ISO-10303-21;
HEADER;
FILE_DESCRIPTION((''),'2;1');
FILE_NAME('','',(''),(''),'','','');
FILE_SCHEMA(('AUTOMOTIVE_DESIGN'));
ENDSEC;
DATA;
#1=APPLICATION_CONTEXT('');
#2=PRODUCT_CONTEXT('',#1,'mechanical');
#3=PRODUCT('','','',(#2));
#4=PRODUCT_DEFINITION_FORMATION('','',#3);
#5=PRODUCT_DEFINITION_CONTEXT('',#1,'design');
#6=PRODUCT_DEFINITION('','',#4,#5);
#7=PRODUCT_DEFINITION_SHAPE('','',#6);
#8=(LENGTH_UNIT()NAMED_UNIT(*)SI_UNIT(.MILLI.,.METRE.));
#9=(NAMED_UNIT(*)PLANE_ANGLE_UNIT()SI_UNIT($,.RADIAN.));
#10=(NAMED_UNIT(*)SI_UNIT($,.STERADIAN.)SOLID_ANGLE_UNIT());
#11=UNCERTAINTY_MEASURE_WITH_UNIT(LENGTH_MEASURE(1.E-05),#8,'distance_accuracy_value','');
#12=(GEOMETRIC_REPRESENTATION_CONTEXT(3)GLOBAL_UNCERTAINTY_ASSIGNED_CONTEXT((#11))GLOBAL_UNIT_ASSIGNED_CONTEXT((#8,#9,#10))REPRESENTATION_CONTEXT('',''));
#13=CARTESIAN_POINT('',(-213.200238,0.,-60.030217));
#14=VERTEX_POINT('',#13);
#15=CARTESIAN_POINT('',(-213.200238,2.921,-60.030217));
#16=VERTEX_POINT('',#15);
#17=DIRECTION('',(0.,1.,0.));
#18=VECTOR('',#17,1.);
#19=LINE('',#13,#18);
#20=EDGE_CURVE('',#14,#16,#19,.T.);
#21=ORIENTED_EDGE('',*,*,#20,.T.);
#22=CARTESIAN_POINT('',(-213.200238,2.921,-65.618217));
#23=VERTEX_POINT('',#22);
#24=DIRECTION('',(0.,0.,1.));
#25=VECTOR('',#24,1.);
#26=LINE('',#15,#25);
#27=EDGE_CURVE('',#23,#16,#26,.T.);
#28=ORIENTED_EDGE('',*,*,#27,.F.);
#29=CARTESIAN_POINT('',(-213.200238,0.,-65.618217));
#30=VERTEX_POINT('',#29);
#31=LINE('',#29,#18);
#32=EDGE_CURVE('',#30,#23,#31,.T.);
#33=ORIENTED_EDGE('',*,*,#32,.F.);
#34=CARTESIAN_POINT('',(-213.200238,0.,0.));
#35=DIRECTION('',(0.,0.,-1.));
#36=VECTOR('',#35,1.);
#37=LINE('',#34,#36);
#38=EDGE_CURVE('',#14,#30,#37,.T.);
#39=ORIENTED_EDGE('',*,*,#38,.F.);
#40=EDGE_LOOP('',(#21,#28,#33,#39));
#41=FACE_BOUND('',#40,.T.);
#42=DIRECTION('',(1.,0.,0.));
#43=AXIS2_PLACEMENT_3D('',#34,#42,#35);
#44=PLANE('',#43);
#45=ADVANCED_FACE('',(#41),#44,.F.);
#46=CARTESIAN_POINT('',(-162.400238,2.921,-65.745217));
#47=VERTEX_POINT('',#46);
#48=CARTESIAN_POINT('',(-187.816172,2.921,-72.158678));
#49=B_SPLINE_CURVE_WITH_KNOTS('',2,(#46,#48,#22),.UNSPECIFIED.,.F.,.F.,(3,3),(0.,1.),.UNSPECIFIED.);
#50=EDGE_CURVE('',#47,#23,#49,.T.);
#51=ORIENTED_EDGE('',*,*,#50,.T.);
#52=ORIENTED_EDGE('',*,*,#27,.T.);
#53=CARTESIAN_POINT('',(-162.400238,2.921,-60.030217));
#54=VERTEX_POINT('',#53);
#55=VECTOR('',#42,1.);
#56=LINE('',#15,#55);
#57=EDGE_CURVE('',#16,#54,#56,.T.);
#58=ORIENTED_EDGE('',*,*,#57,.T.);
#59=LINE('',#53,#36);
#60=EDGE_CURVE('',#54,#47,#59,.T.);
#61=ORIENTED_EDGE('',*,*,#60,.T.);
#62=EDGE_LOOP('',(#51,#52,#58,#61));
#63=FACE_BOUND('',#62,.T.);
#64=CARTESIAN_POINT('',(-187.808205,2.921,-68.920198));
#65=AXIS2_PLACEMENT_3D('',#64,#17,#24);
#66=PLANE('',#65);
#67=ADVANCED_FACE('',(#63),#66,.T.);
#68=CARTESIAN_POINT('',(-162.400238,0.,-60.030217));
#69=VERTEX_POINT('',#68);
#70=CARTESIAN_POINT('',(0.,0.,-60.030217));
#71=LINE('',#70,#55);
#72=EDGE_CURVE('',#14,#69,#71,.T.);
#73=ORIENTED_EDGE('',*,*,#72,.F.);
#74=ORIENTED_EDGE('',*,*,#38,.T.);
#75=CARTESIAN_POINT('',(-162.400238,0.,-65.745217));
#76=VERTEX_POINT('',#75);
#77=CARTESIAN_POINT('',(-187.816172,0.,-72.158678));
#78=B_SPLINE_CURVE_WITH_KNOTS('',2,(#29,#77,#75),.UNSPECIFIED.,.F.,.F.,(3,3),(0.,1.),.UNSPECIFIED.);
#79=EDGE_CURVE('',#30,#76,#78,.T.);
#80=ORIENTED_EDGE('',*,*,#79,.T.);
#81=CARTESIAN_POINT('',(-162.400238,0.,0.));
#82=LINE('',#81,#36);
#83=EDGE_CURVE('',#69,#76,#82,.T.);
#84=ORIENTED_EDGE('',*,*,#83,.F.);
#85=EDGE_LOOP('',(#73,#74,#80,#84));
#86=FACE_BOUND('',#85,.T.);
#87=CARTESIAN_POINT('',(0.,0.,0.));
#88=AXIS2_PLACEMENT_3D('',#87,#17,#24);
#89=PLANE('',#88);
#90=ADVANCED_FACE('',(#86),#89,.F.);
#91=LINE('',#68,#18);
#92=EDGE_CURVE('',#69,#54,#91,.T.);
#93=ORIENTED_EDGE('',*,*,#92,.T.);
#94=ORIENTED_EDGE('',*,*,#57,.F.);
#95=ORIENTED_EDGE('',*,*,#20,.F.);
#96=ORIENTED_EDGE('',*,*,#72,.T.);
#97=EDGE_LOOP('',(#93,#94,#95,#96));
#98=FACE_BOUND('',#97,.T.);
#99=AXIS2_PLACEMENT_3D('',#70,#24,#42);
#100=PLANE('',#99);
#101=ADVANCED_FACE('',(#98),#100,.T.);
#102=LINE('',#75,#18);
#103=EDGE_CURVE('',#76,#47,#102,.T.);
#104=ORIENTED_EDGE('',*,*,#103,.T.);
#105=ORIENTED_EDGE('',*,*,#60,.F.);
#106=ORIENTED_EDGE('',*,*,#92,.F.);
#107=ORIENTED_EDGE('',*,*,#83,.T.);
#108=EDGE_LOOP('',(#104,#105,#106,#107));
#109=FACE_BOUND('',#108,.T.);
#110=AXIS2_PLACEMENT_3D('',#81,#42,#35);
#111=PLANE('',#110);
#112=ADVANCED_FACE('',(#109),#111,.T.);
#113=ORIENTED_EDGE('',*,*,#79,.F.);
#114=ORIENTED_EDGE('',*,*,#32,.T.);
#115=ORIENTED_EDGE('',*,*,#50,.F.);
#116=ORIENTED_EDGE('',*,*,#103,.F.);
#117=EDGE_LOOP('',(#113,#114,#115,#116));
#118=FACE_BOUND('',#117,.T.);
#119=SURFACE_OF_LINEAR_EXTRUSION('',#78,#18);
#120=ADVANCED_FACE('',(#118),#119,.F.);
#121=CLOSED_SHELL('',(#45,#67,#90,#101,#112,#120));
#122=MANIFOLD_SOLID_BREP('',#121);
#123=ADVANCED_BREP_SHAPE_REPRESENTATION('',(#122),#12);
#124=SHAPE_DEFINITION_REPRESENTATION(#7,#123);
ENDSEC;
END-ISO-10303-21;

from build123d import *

# Parameters (mm, degrees)
SKETCH1_W           = 304.8
SKETCH1_H           = 76.2
BOSS_EXTRUDE1_DEPTH = 3.175
CUT_EXTRUDE3_DEPTH  = 0.254
CUT_EXTRUDE5_DEPTH  = 0.254
SKETCH3_2_OUTSIDE_W = 369.64
SKETCH3_2_OUTSIDE_H = 141.04
CUT_EXTRUDE8_DEPTH  = 315.196691105


with BuildPart() as part:
    # Sketch1 → Boss-Extrude1 (new body)
    with BuildSketch(Plane(origin=(0, 0, 0), x_dir=(1, 0, 0), z_dir=(0, 1, 0))):
        with Locations((-152.4, 38.1)):
            Rectangle(SKETCH1_W, SKETCH1_H)
    extrude(amount=BOSS_EXTRUDE1_DEPTH)

    # Sketch2 → Cut-Extrude3 (cut)
    with BuildSketch(Plane(origin=(0, 3.175, 0), x_dir=(1, 0, 0), z_dir=(0, 1, 0))):
        with BuildLine():
            Line((-304.8, 5.132354223), (-304.8, 0.390438323))
            add(Edge.make_bspline(
                [(-304.8, 0.390438323), (-303.821243343, 0.22923291), (-302.632591032, 0.100235841), (-301.136713645, 0)],
                knots=[0.767987957, 0.767987957, 0.767987957, 0.767987957, 1, 1, 1, 1], degree=3))
            Line((-301.136713645, 0), (-217.379871236, 0))
            add(Edge.make_bspline(
                [(-215.9, 0.210253502), (-216.602591478, 0.075926224), (-217.379871236, 0)],
                knots=[0.882956558, 0.882956558, 0.882956558, 1, 1, 1], degree=2))
            Line((-215.9, 0.210253502), (-215.9, 6.35))
            add(Edge.make_bspline(
                [(-304.8, 5.132354223), (-295.056068779, 7.913424716), (-284.63514545, 9.175759011), (-256.65451685, 7.910717471), (-231.983718042, 8.039058457), (-215.9, 6.35)],
                knots=[0.033341876, 0.033341876, 0.033341876, 0.033341876, 0.196819423, 0.285044024, 0.915587883, 0.915587883, 0.915587883, 0.915587883], degree=3))
        make_face()
        with BuildLine():
            Line((-304.748193138, 14.319973849), (-304.748193138, 9.578057948))
            add(Edge.make_bspline(
                [(-304.748193138, 9.578057948), (-303.76943648, 9.416852535), (-302.58078417, 9.287855466), (-301.084906782, 9.187619625)],
                knots=[0.767987957, 0.767987957, 0.767987957, 0.767987957, 1, 1, 1, 1], degree=3))
            Line((-301.084906782, 9.187619625), (-217.328064374, 9.187619625))
            add(Edge.make_bspline(
                [(-215.848193138, 9.397873128), (-216.550784616, 9.263545849), (-217.328064374, 9.187619625)],
                knots=[0.882956558, 0.882956558, 0.882956558, 1, 1, 1], degree=2))
            Line((-215.848193138, 9.397873128), (-215.848193138, 15.537619625))
            add(Edge.make_bspline(
                [(-304.748193138, 14.319973849), (-295.004261916, 17.101044341), (-284.583338588, 18.363378636), (-256.602709988, 17.098337097), (-231.93191118, 17.226678082), (-215.848193138, 15.537619625)],
                knots=[0.033341876, 0.033341876, 0.033341876, 0.033341876, 0.196819423, 0.285044024, 0.915587883, 0.915587883, 0.915587883, 0.915587883], degree=3))
        make_face()
        with BuildLine():
            Line((-304.77561062, 23.435546339), (-304.77561062, 18.693630439))
            add(Edge.make_bspline(
                [(-304.77561062, 18.693630439), (-303.796853962, 18.532425025), (-302.608201652, 18.403427957), (-301.112324264, 18.303192116)],
                knots=[0.767987957, 0.767987957, 0.767987957, 0.767987957, 1, 1, 1, 1], degree=3))
            Line((-301.112324264, 18.303192116), (-217.355481855, 18.303192116))
            add(Edge.make_bspline(
                [(-215.87561062, 18.513445618), (-216.578202097, 18.37911834), (-217.355481855, 18.303192116)],
                knots=[0.882956558, 0.882956558, 0.882956558, 1, 1, 1], degree=2))
            Line((-215.87561062, 18.513445618), (-215.87561062, 24.653192116))
            add(Edge.make_bspline(
                [(-304.77561062, 23.435546339), (-295.031679398, 26.216616832), (-284.61075607, 27.478951126), (-256.63012747, 26.213909587), (-231.959328661, 26.342250572), (-215.87561062, 24.653192116)],
                knots=[0.033341876, 0.033341876, 0.033341876, 0.033341876, 0.196819423, 0.285044024, 0.915587883, 0.915587883, 0.915587883, 0.915587883], degree=3))
        make_face()
        with BuildLine():
            Line((-304.723803757, 32.623165964), (-304.723803757, 27.881250064))
            add(Edge.make_bspline(
                [(-304.723803757, 27.881250064), (-303.7450471, 27.720044651), (-302.55639479, 27.591047582), (-301.060517402, 27.490811741)],
                knots=[0.767987957, 0.767987957, 0.767987957, 0.767987957, 1, 1, 1, 1], degree=3))
            Line((-301.060517402, 27.490811741), (-217.303674993, 27.490811741))
            add(Edge.make_bspline(
                [(-215.823803757, 27.701065244), (-216.526395235, 27.566737965), (-217.303674993, 27.490811741)],
                knots=[0.882956558, 0.882956558, 0.882956558, 1, 1, 1], degree=2))
            Line((-215.823803757, 27.701065244), (-215.823803757, 33.840811741))
            add(Edge.make_bspline(
                [(-304.723803757, 32.623165964), (-294.979872536, 35.404236457), (-284.558949208, 36.666570752), (-256.578320608, 35.401529213), (-231.907521799, 35.529870198), (-215.823803757, 33.840811741)],
                knots=[0.033341876, 0.033341876, 0.033341876, 0.033341876, 0.196819423, 0.285044024, 0.915587883, 0.915587883, 0.915587883, 0.915587883], degree=3))
        make_face()
        with BuildLine():
            Line((-304.692120731, 41.752034592), (-304.692120731, 37.010118692))
            add(Edge.make_bspline(
                [(-304.692120731, 37.010118692), (-303.713364073, 36.848913278), (-302.524711763, 36.71991621), (-301.028834375, 36.619680369)],
                knots=[0.767987957, 0.767987957, 0.767987957, 0.767987957, 1, 1, 1, 1], degree=3))
            Line((-301.028834375, 36.619680369), (-217.271991966, 36.619680369))
            add(Edge.make_bspline(
                [(-215.792120731, 36.829933871), (-216.494712209, 36.695606593), (-217.271991966, 36.619680369)],
                knots=[0.882956558, 0.882956558, 0.882956558, 1, 1, 1], degree=2))
            Line((-215.792120731, 36.829933871), (-215.792120731, 42.969680369))
            add(Edge.make_bspline(
                [(-304.692120731, 41.752034592), (-294.948189509, 44.533105085), (-284.527266181, 45.795439379), (-256.546637581, 44.53039784), (-231.875838773, 44.658738825), (-215.792120731, 42.969680369)],
                knots=[0.033341876, 0.033341876, 0.033341876, 0.033341876, 0.196819423, 0.285044024, 0.915587883, 0.915587883, 0.915587883, 0.915587883], degree=3))
        make_face()
        with BuildLine():
            Line((-304.640313869, 50.939654217), (-304.640313869, 46.197738317))
            add(Edge.make_bspline(
                [(-304.640313869, 46.197738317), (-303.661557211, 46.036532904), (-302.472904901, 45.907535835), (-300.977027513, 45.807299994)],
                knots=[0.767987957, 0.767987957, 0.767987957, 0.767987957, 1, 1, 1, 1], degree=3))
            Line((-300.977027513, 45.807299994), (-217.220185104, 45.807299994))
            add(Edge.make_bspline(
                [(-215.740313869, 46.017553497), (-216.442905346, 45.883226218), (-217.220185104, 45.807299994)],
                knots=[0.882956558, 0.882956558, 0.882956558, 1, 1, 1], degree=2))
            Line((-215.740313869, 46.017553497), (-215.740313869, 52.157299994))
            add(Edge.make_bspline(
                [(-304.640313869, 50.939654217), (-294.896382647, 53.72072471), (-284.475459319, 54.983059005), (-256.494830719, 53.718017466), (-231.82403191, 53.846358451), (-215.740313869, 52.157299994)],
                knots=[0.033341876, 0.033341876, 0.033341876, 0.033341876, 0.196819423, 0.285044024, 0.915587883, 0.915587883, 0.915587883, 0.915587883], degree=3))
        make_face()
        with BuildLine():
            Line((-304.66773135, 60.055226708), (-304.66773135, 55.313310807))
            add(Edge.make_bspline(
                [(-304.66773135, 55.313310807), (-303.688974693, 55.152105394), (-302.500322383, 55.023108326), (-301.004444995, 54.922872485)],
                knots=[0.767987957, 0.767987957, 0.767987957, 0.767987957, 1, 1, 1, 1], degree=3))
            Line((-301.004444995, 54.922872485), (-217.247602586, 54.922872485))
            add(Edge.make_bspline(
                [(-215.76773135, 55.133125987), (-216.470322828, 54.998798708), (-217.247602586, 54.922872485)],
                knots=[0.882956558, 0.882956558, 0.882956558, 1, 1, 1], degree=2))
            Line((-215.76773135, 55.133125987), (-215.76773135, 61.272872485))
            add(Edge.make_bspline(
                [(-304.66773135, 60.055226708), (-294.923800129, 62.836297201), (-284.502876801, 64.098631495), (-256.522248201, 62.833589956), (-231.851449392, 62.961930941), (-215.76773135, 61.272872485)],
                knots=[0.033341876, 0.033341876, 0.033341876, 0.033341876, 0.196819423, 0.285044024, 0.915587883, 0.915587883, 0.915587883, 0.915587883], degree=3))
        make_face()
        with BuildLine():
            Line((-304.615924488, 69.242846333), (-304.615924488, 64.500930433))
            add(Edge.make_bspline(
                [(-304.615924488, 64.500930433), (-303.637167831, 64.33972502), (-302.448515521, 64.210727951), (-300.952638133, 64.11049211)],
                knots=[0.767987957, 0.767987957, 0.767987957, 0.767987957, 1, 1, 1, 1], degree=3))
            Line((-300.952638133, 64.11049211), (-217.195795724, 64.11049211))
            add(Edge.make_bspline(
                [(-215.715924488, 64.320745612), (-216.418515966, 64.186418334), (-217.195795724, 64.11049211)],
                knots=[0.882956558, 0.882956558, 0.882956558, 1, 1, 1], degree=2))
            Line((-215.715924488, 64.320745612), (-215.715924488, 70.46049211))
            add(Edge.make_bspline(
                [(-304.615924488, 69.242846333), (-294.871993267, 72.023916826), (-284.451069938, 73.286251121), (-256.470441339, 72.021209581), (-231.79964253, 72.149550567), (-215.715924488, 70.46049211)],
                knots=[0.033341876, 0.033341876, 0.033341876, 0.033341876, 0.196819423, 0.285044024, 0.915587883, 0.915587883, 0.915587883, 0.915587883], degree=3))
        make_face()
        with BuildLine():
            Line((-215.183865707, 5.315478387), (-215.183865707, 0.573562486))
            add(Edge.make_bspline(
                [(-215.183865707, 0.573562486), (-214.20510905, 0.412357073), (-213.01645674, 0.283360005), (-211.520579352, 0.183124164)],
                knots=[0.767987957, 0.767987957, 0.767987957, 0.767987957, 1, 1, 1, 1], degree=3))
            Line((-211.520579352, 0.183124164), (-127.763736943, 0.183124164))
            add(Edge.make_bspline(
                [(-126.283865707, 0.393377666), (-126.986457185, 0.259050387), (-127.763736943, 0.183124164)],
                knots=[0.882956558, 0.882956558, 0.882956558, 1, 1, 1], degree=2))
            Line((-126.283865707, 0.393377666), (-126.283865707, 6.533124164))
            add(Edge.make_bspline(
                [(-215.183865707, 5.315478387), (-205.439934486, 8.09654888), (-195.019011157, 9.358883174), (-167.038382558, 8.093841635), (-142.367583749, 8.22218262), (-126.283865707, 6.533124164)],
                knots=[0.033341876, 0.033341876, 0.033341876, 0.033341876, 0.196819423, 0.285044024, 0.915587883, 0.915587883, 0.915587883, 0.915587883], degree=3))
        make_face()
        with BuildLine():
            Line((-215.132058845, 14.503098012), (-215.132058845, 9.761182112))
            add(Edge.make_bspline(
                [(-215.132058845, 9.761182112), (-214.153302188, 9.599976698), (-212.964649877, 9.47097963), (-211.46877249, 9.370743789)],
                knots=[0.767987957, 0.767987957, 0.767987957, 0.767987957, 1, 1, 1, 1], degree=3))
            Line((-211.46877249, 9.370743789), (-127.711930081, 9.370743789))
            add(Edge.make_bspline(
                [(-126.232058845, 9.580997291), (-126.934650323, 9.446670013), (-127.711930081, 9.370743789)],
                knots=[0.882956558, 0.882956558, 0.882956558, 1, 1, 1], degree=2))
            Line((-126.232058845, 9.580997291), (-126.232058845, 15.720743789))
            add(Edge.make_bspline(
                [(-215.132058845, 14.503098012), (-205.388127624, 17.284168505), (-194.967204295, 18.546502799), (-166.986575695, 17.28146126), (-142.315776887, 17.409802246), (-126.232058845, 15.720743789)],
                knots=[0.033341876, 0.033341876, 0.033341876, 0.033341876, 0.196819423, 0.285044024, 0.915587883, 0.915587883, 0.915587883, 0.915587883], degree=3))
        make_face()
        with BuildLine():
            Line((-215.159476327, 23.618670503), (-215.159476327, 18.876754602))
            add(Edge.make_bspline(
                [(-215.159476327, 18.876754602), (-214.180719669, 18.715549189), (-212.992067359, 18.58655212), (-211.496189971, 18.486316279)],
                knots=[0.767987957, 0.767987957, 0.767987957, 0.767987957, 1, 1, 1, 1], degree=3))
            Line((-211.496189971, 18.486316279), (-127.739347562, 18.486316279))
            add(Edge.make_bspline(
                [(-126.259476327, 18.696569782), (-126.962067804, 18.562242503), (-127.739347562, 18.486316279)],
                knots=[0.882956558, 0.882956558, 0.882956558, 1, 1, 1], degree=2))
            Line((-126.259476327, 18.696569782), (-126.259476327, 24.836316279))
            add(Edge.make_bspline(
                [(-215.159476327, 23.618670503), (-205.415545105, 26.399740996), (-194.994621777, 27.66207529), (-167.013993177, 26.397033751), (-142.343194369, 26.525374736), (-126.259476327, 24.836316279)],
                knots=[0.033341876, 0.033341876, 0.033341876, 0.033341876, 0.196819423, 0.285044024, 0.915587883, 0.915587883, 0.915587883, 0.915587883], degree=3))
        make_face()
        with BuildLine():
            Line((-215.107669465, 32.806290128), (-215.107669465, 28.064374228))
            add(Edge.make_bspline(
                [(-215.107669465, 28.064374228), (-214.128912807, 27.903168814), (-212.940260497, 27.774171746), (-211.444383109, 27.673935905)],
                knots=[0.767987957, 0.767987957, 0.767987957, 0.767987957, 1, 1, 1, 1], degree=3))
            Line((-211.444383109, 27.673935905), (-127.6875407, 27.673935905))
            add(Edge.make_bspline(
                [(-126.207669465, 27.884189407), (-126.910260942, 27.749862129), (-127.6875407, 27.673935905)],
                knots=[0.882956558, 0.882956558, 0.882956558, 1, 1, 1], degree=2))
            Line((-126.207669465, 27.884189407), (-126.207669465, 34.023935905))
            add(Edge.make_bspline(
                [(-215.107669465, 32.806290128), (-205.363738243, 35.587360621), (-194.942814915, 36.849694915), (-166.962186315, 35.584653376), (-142.291387506, 35.712994361), (-126.207669465, 34.023935905)],
                knots=[0.033341876, 0.033341876, 0.033341876, 0.033341876, 0.196819423, 0.285044024, 0.915587883, 0.915587883, 0.915587883, 0.915587883], degree=3))
        make_face()
    extrude(amount=-CUT_EXTRUDE3_DEPTH, mode=Mode.SUBTRACT)

    # Sketch3 → Cut-Extrude5 (cut)
    with BuildSketch(Plane(origin=(0, 3.175, 0), x_dir=(1, 0, 0), z_dir=(0, 1, 0))):
        with BuildLine():
            Line((-124.773731724, 0), (-73.973731724, 0))
            Line((-73.973731724, 0), (-73.973731724, 5.715))
            add(Edge.make_bspline(
                [(-124.773731724, 5.588), (-99.390849234, 12.627627449), (-73.973731724, 5.715)],
                knots=[0, 0, 0, 1, 1, 1], degree=2))
            Line((-124.773731724, 5.588), (-124.773731724, 0))
        make_face()
        with BuildLine():
            Line((-124.666073477, 9.555243731), (-73.866073477, 9.555243731))
            Line((-73.866073477, 9.555243731), (-73.866073477, 15.270243731))
            add(Edge.make_bspline(
                [(-124.666073477, 15.143243731), (-99.282006864, 21.683704535), (-73.866073477, 15.270243731)],
                knots=[0, 0, 0, 1, 1, 1], degree=2))
            Line((-124.666073477, 15.143243731), (-124.666073477, 9.555243731))
        make_face()
        with BuildLine():
            Line((-124.604715686, 19.129476511), (-73.804715686, 19.129476511))
            Line((-73.804715686, 19.129476511), (-73.804715686, 24.844476511))
            add(Edge.make_bspline(
                [(-124.604715686, 24.717476511), (-99.220649073, 31.257937315), (-73.804715686, 24.844476511)],
                knots=[0, 0, 0, 1, 1, 1], degree=2))
            Line((-124.604715686, 24.717476511), (-124.604715686, 19.129476511))
        make_face()
        with BuildLine():
            Line((-124.495240807, 28.763265862), (-73.695240807, 28.763265862))
            Line((-73.695240807, 28.763265862), (-73.695240807, 34.478265862))
            add(Edge.make_bspline(
                [(-124.495240807, 34.351265862), (-99.111174194, 40.891726665), (-73.695240807, 34.478265862)],
                knots=[0, 0, 0, 1, 1, 1], degree=2))
            Line((-124.495240807, 34.351265862), (-124.495240807, 28.763265862))
        make_face()
        with BuildLine():
            Line((-124.385765928, 38.397055212), (-73.585765928, 38.397055212))
            Line((-73.585765928, 38.397055212), (-73.585765928, 44.112055212))
            add(Edge.make_bspline(
                [(-124.385765928, 43.985055212), (-99.001699315, 50.525516016), (-73.585765928, 44.112055212)],
                knots=[0, 0, 0, 1, 1, 1], degree=2))
            Line((-124.385765928, 43.985055212), (-124.385765928, 38.397055212))
        make_face()
        with BuildLine():
            Line((-124.166816171, 49.235068231), (-73.366816171, 49.235068231))
            Line((-73.366816171, 49.235068231), (-73.366816171, 54.950068231))
            add(Edge.make_bspline(
                [(-124.166816171, 54.823068231), (-98.782749557, 61.363529035), (-73.366816171, 54.950068231)],
                knots=[0, 0, 0, 1, 1, 1], degree=2))
            Line((-124.166816171, 54.823068231), (-124.166816171, 49.235068231))
        make_face()
        with BuildLine():
            Line((-124.138868232, 59.013713621), (-73.338868232, 59.013713621))
            Line((-73.338868232, 59.013713621), (-73.338868232, 64.728713621))
            add(Edge.make_bspline(
                [(-124.138868232, 64.601713621), (-98.754801619, 71.142174425), (-73.338868232, 64.728713621)],
                knots=[0, 0, 0, 1, 1, 1], degree=2))
            Line((-124.138868232, 64.601713621), (-124.138868232, 59.013713621))
        make_face()
        with BuildLine():
            Line((-213.669393762, 38.449060159), (-162.869393762, 38.449060159))
            Line((-162.869393762, 38.449060159), (-162.869393762, 44.164060159))
            add(Edge.make_bspline(
                [(-213.669393762, 44.037060159), (-188.285327148, 50.577520962), (-162.869393762, 44.164060159)],
                knots=[0, 0, 0, 1, 1, 1], degree=2))
            Line((-213.669393762, 44.037060159), (-213.669393762, 38.449060159))
        make_face()
        with BuildLine():
            Line((-213.513008565, 49.239638781), (-162.713008565, 49.239638781))
            Line((-162.713008565, 49.239638781), (-162.713008565, 54.954638781))
            add(Edge.make_bspline(
                [(-213.513008565, 54.827638781), (-188.128941951, 61.368099585), (-162.713008565, 54.954638781)],
                knots=[0, 0, 0, 1, 1, 1], degree=2))
            Line((-213.513008565, 54.827638781), (-213.513008565, 49.239638781))
        make_face()
        with BuildLine():
            Line((-213.20023817, 60.030217404), (-162.40023817, 60.030217404))
            Line((-162.40023817, 60.030217404), (-162.40023817, 65.745217404))
            add(Edge.make_bspline(
                [(-213.20023817, 65.618217404), (-187.816171556, 72.158678208), (-162.40023817, 65.745217404)],
                knots=[0, 0, 0, 1, 1, 1], degree=2))
            Line((-213.20023817, 65.618217404), (-213.20023817, 60.030217404))
        make_face()
        Polygon((0, 76.2), (-31.75, 76.2), (-63.5, 0), (0, 0), align=None)
    extrude(amount=-CUT_EXTRUDE5_DEPTH, mode=Mode.SUBTRACT)

    # Sketch3<2> outside → Cut-Extrude8 (cut, through all)
    with BuildSketch(Plane(origin=(0, 3.175, 0), x_dir=(1, 0, 0), z_dir=(0, 1, 0))):
        with Locations((-152.4, 38.1)):
            Rectangle(SKETCH3_2_OUTSIDE_W, SKETCH3_2_OUTSIDE_H)
        with BuildLine():
            Line((-213.20023817, 65.618217404), (-213.20023817, 60.030217404))
            Line((-213.20023817, 60.030217404), (-162.40023817, 60.030217404))
            Line((-162.40023817, 60.030217404), (-162.40023817, 65.745217404))
            add(Edge.make_bspline(
                [(-213.20023817, 65.618217404), (-187.816171556, 72.158678208), (-162.40023817, 65.745217404)],
                knots=[0, 0, 0, 1, 1, 1], degree=2))
        make_face(mode=Mode.SUBTRACT)
    extrude(amount=-CUT_EXTRUDE8_DEPTH, mode=Mode.SUBTRACT)


solid = part.part
